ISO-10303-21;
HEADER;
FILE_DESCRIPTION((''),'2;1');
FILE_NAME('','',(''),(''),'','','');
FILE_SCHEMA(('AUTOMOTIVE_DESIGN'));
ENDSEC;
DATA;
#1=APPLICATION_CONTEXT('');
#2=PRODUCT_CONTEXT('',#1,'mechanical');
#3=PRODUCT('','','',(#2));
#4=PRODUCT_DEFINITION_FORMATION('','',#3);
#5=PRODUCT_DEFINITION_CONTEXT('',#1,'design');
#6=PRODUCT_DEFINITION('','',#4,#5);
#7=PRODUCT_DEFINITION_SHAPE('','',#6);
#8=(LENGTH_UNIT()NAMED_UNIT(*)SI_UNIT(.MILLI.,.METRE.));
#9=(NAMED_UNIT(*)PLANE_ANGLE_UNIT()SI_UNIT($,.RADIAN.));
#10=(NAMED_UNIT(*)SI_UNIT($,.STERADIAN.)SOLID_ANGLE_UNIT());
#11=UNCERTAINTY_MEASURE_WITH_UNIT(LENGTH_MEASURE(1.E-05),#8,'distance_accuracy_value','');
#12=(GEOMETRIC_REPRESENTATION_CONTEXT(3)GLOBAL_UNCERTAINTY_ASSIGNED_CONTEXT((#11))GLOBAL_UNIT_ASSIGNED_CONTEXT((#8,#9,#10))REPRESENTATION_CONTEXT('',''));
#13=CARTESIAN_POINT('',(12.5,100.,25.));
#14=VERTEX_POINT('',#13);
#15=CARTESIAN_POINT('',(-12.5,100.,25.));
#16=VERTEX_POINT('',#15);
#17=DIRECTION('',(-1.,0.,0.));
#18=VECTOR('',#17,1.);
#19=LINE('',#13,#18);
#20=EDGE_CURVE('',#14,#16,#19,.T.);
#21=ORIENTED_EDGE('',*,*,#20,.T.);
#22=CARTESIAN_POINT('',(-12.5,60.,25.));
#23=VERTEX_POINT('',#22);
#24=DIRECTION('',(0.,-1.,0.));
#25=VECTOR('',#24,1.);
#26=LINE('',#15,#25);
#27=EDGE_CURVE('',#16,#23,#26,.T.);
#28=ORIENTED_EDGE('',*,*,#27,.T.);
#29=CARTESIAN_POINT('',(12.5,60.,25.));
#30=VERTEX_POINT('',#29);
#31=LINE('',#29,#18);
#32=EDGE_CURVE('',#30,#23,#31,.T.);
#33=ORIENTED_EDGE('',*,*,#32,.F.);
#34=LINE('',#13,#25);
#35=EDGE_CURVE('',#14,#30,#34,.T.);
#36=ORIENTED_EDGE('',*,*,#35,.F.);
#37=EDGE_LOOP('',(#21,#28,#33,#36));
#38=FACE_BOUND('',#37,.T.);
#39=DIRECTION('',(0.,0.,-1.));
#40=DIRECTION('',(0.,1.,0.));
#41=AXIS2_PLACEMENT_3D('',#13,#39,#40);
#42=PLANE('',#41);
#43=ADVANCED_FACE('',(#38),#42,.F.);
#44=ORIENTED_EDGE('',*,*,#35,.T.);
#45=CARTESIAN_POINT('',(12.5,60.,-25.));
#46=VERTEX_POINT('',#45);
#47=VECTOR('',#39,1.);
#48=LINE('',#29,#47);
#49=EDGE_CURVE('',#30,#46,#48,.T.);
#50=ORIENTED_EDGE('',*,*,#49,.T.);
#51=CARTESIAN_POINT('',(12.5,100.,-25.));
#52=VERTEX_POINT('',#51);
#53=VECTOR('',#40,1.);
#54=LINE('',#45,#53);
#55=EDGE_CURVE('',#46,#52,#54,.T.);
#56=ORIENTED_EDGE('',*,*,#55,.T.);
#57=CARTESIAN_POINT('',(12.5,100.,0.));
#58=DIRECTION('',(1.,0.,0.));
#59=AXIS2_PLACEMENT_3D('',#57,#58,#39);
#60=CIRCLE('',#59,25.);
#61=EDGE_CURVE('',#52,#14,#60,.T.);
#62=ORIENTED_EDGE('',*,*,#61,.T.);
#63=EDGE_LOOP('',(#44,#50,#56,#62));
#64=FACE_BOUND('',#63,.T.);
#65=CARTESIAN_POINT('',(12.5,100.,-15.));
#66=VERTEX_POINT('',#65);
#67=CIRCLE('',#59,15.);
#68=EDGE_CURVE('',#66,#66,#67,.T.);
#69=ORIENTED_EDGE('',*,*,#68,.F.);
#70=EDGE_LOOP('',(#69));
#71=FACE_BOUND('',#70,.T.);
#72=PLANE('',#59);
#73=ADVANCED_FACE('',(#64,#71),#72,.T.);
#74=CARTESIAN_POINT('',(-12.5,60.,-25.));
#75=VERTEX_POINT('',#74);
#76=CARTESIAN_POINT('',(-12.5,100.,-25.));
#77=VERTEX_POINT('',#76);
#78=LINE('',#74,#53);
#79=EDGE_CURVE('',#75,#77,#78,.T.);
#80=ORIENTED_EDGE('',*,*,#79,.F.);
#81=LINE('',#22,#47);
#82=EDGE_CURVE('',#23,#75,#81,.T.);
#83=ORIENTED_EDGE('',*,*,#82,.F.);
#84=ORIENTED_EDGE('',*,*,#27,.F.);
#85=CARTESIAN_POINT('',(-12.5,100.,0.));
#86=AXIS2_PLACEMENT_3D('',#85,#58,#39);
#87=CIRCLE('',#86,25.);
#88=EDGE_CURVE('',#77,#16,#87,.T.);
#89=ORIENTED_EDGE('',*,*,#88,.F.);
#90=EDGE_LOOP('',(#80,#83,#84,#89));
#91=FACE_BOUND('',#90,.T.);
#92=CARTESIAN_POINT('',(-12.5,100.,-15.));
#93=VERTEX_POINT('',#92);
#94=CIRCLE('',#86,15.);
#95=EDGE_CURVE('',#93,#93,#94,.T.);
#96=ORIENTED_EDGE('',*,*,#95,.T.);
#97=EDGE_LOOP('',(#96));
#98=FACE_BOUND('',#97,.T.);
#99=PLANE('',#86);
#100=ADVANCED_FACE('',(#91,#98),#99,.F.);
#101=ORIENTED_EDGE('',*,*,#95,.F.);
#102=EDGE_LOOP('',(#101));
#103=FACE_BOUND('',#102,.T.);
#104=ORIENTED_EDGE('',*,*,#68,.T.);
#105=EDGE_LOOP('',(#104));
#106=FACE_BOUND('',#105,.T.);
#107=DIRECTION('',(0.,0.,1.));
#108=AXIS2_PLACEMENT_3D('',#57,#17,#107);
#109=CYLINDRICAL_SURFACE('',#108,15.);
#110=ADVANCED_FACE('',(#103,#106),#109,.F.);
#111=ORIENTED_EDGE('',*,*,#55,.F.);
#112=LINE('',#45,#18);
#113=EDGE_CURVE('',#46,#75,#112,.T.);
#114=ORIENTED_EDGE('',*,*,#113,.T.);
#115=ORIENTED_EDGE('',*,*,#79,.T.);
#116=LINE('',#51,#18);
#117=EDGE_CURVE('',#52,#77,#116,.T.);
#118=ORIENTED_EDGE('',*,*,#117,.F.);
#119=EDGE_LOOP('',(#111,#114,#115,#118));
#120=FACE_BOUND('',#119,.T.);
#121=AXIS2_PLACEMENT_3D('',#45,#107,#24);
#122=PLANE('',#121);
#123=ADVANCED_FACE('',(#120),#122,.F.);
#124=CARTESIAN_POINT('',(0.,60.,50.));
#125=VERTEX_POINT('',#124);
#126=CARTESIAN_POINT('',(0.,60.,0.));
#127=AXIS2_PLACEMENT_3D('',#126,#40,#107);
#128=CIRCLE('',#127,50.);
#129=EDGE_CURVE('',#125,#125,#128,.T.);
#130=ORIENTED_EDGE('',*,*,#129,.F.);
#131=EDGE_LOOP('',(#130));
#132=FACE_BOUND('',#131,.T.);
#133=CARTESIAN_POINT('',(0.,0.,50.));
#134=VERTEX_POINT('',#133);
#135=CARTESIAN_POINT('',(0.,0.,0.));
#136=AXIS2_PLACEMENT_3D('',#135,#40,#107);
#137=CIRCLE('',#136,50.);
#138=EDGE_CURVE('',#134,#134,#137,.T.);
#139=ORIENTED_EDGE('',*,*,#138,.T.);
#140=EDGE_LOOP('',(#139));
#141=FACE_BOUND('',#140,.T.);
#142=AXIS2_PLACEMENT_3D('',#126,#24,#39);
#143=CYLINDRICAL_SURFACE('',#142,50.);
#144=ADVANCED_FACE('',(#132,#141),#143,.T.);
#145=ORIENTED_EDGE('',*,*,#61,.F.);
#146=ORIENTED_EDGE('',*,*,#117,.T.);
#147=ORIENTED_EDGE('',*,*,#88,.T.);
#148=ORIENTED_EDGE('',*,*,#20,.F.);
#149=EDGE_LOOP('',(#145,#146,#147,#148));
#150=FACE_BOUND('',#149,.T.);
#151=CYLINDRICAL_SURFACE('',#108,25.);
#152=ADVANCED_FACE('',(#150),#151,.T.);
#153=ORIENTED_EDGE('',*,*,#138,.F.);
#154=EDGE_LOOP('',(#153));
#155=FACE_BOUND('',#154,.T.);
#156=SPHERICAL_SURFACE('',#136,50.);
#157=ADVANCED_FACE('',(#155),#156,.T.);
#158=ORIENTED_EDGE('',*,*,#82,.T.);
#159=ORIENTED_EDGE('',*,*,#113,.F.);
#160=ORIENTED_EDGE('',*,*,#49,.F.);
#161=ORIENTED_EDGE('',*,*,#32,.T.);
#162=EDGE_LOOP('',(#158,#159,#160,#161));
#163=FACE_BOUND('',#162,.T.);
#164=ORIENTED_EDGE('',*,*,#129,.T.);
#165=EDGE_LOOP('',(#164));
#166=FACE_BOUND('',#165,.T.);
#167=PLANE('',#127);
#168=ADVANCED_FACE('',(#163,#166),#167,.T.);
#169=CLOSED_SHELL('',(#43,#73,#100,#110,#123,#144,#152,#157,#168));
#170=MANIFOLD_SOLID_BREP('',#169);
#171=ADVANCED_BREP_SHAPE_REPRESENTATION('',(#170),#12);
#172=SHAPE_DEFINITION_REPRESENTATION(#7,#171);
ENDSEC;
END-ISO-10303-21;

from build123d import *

# Parameters (mm, degrees)
SKETCH1_R           = 50
BOSS_EXTRUDE1_DEPTH = 60
SKETCH2_R           = 15
BOSS_EXTRUDE2_DEPTH = 12.5
DOME1_FACE_RADIUS   = 50
DOME1_HEIGHT        = 50


with BuildPart() as part:
    # Sketch1 → Boss-Extrude1 (new body)
    with BuildSketch(Plane(origin=(0, 0, 0), x_dir=(1, 0, 0), z_dir=(0, 1, 0))):
        with Locations(Location((0, 0, 0), (0, 0, 270))):
            Circle(SKETCH1_R)
    extrude(amount=BOSS_EXTRUDE1_DEPTH)

    # Sketch2 → Boss-Extrude2 (add, symmetric)
    with BuildSketch(Plane(origin=(0, 0, 0), x_dir=(0, 0, -1), z_dir=(1, 0, 0))):
        with BuildLine():
            Line((-25, 100), (-25, 60))
            Line((-25, 60), (25, 60))
            Line((25, 60), (25, 100))
            ThreePointArc((25, 100), (0, 125), (-25, 100))
        make_face()
        with Locations((0, 100)):
            Circle(SKETCH2_R, mode=Mode.SUBTRACT)
    extrude(amount=BOSS_EXTRUDE2_DEPTH, both=True)

    # Dome1: a dome of height H over a round flat face of radius A is a cap of a sphere of radius (A * A + H * H) / (2 * H)
    dome1_r = (DOME1_FACE_RADIUS * DOME1_FACE_RADIUS + DOME1_HEIGHT * DOME1_HEIGHT) / (2 * DOME1_HEIGHT)
    dome1_base = Plane((0, 0, 0), z_dir=(0, -1, 0))
    with Locations(dome1_base.offset(DOME1_HEIGHT - dome1_r)):
        dome1_ball = Sphere(dome1_r, mode=Mode.PRIVATE)
    add(split(dome1_ball, bisect_by=dome1_base, keep=Keep.TOP, mode=Mode.PRIVATE))


solid = part.part
